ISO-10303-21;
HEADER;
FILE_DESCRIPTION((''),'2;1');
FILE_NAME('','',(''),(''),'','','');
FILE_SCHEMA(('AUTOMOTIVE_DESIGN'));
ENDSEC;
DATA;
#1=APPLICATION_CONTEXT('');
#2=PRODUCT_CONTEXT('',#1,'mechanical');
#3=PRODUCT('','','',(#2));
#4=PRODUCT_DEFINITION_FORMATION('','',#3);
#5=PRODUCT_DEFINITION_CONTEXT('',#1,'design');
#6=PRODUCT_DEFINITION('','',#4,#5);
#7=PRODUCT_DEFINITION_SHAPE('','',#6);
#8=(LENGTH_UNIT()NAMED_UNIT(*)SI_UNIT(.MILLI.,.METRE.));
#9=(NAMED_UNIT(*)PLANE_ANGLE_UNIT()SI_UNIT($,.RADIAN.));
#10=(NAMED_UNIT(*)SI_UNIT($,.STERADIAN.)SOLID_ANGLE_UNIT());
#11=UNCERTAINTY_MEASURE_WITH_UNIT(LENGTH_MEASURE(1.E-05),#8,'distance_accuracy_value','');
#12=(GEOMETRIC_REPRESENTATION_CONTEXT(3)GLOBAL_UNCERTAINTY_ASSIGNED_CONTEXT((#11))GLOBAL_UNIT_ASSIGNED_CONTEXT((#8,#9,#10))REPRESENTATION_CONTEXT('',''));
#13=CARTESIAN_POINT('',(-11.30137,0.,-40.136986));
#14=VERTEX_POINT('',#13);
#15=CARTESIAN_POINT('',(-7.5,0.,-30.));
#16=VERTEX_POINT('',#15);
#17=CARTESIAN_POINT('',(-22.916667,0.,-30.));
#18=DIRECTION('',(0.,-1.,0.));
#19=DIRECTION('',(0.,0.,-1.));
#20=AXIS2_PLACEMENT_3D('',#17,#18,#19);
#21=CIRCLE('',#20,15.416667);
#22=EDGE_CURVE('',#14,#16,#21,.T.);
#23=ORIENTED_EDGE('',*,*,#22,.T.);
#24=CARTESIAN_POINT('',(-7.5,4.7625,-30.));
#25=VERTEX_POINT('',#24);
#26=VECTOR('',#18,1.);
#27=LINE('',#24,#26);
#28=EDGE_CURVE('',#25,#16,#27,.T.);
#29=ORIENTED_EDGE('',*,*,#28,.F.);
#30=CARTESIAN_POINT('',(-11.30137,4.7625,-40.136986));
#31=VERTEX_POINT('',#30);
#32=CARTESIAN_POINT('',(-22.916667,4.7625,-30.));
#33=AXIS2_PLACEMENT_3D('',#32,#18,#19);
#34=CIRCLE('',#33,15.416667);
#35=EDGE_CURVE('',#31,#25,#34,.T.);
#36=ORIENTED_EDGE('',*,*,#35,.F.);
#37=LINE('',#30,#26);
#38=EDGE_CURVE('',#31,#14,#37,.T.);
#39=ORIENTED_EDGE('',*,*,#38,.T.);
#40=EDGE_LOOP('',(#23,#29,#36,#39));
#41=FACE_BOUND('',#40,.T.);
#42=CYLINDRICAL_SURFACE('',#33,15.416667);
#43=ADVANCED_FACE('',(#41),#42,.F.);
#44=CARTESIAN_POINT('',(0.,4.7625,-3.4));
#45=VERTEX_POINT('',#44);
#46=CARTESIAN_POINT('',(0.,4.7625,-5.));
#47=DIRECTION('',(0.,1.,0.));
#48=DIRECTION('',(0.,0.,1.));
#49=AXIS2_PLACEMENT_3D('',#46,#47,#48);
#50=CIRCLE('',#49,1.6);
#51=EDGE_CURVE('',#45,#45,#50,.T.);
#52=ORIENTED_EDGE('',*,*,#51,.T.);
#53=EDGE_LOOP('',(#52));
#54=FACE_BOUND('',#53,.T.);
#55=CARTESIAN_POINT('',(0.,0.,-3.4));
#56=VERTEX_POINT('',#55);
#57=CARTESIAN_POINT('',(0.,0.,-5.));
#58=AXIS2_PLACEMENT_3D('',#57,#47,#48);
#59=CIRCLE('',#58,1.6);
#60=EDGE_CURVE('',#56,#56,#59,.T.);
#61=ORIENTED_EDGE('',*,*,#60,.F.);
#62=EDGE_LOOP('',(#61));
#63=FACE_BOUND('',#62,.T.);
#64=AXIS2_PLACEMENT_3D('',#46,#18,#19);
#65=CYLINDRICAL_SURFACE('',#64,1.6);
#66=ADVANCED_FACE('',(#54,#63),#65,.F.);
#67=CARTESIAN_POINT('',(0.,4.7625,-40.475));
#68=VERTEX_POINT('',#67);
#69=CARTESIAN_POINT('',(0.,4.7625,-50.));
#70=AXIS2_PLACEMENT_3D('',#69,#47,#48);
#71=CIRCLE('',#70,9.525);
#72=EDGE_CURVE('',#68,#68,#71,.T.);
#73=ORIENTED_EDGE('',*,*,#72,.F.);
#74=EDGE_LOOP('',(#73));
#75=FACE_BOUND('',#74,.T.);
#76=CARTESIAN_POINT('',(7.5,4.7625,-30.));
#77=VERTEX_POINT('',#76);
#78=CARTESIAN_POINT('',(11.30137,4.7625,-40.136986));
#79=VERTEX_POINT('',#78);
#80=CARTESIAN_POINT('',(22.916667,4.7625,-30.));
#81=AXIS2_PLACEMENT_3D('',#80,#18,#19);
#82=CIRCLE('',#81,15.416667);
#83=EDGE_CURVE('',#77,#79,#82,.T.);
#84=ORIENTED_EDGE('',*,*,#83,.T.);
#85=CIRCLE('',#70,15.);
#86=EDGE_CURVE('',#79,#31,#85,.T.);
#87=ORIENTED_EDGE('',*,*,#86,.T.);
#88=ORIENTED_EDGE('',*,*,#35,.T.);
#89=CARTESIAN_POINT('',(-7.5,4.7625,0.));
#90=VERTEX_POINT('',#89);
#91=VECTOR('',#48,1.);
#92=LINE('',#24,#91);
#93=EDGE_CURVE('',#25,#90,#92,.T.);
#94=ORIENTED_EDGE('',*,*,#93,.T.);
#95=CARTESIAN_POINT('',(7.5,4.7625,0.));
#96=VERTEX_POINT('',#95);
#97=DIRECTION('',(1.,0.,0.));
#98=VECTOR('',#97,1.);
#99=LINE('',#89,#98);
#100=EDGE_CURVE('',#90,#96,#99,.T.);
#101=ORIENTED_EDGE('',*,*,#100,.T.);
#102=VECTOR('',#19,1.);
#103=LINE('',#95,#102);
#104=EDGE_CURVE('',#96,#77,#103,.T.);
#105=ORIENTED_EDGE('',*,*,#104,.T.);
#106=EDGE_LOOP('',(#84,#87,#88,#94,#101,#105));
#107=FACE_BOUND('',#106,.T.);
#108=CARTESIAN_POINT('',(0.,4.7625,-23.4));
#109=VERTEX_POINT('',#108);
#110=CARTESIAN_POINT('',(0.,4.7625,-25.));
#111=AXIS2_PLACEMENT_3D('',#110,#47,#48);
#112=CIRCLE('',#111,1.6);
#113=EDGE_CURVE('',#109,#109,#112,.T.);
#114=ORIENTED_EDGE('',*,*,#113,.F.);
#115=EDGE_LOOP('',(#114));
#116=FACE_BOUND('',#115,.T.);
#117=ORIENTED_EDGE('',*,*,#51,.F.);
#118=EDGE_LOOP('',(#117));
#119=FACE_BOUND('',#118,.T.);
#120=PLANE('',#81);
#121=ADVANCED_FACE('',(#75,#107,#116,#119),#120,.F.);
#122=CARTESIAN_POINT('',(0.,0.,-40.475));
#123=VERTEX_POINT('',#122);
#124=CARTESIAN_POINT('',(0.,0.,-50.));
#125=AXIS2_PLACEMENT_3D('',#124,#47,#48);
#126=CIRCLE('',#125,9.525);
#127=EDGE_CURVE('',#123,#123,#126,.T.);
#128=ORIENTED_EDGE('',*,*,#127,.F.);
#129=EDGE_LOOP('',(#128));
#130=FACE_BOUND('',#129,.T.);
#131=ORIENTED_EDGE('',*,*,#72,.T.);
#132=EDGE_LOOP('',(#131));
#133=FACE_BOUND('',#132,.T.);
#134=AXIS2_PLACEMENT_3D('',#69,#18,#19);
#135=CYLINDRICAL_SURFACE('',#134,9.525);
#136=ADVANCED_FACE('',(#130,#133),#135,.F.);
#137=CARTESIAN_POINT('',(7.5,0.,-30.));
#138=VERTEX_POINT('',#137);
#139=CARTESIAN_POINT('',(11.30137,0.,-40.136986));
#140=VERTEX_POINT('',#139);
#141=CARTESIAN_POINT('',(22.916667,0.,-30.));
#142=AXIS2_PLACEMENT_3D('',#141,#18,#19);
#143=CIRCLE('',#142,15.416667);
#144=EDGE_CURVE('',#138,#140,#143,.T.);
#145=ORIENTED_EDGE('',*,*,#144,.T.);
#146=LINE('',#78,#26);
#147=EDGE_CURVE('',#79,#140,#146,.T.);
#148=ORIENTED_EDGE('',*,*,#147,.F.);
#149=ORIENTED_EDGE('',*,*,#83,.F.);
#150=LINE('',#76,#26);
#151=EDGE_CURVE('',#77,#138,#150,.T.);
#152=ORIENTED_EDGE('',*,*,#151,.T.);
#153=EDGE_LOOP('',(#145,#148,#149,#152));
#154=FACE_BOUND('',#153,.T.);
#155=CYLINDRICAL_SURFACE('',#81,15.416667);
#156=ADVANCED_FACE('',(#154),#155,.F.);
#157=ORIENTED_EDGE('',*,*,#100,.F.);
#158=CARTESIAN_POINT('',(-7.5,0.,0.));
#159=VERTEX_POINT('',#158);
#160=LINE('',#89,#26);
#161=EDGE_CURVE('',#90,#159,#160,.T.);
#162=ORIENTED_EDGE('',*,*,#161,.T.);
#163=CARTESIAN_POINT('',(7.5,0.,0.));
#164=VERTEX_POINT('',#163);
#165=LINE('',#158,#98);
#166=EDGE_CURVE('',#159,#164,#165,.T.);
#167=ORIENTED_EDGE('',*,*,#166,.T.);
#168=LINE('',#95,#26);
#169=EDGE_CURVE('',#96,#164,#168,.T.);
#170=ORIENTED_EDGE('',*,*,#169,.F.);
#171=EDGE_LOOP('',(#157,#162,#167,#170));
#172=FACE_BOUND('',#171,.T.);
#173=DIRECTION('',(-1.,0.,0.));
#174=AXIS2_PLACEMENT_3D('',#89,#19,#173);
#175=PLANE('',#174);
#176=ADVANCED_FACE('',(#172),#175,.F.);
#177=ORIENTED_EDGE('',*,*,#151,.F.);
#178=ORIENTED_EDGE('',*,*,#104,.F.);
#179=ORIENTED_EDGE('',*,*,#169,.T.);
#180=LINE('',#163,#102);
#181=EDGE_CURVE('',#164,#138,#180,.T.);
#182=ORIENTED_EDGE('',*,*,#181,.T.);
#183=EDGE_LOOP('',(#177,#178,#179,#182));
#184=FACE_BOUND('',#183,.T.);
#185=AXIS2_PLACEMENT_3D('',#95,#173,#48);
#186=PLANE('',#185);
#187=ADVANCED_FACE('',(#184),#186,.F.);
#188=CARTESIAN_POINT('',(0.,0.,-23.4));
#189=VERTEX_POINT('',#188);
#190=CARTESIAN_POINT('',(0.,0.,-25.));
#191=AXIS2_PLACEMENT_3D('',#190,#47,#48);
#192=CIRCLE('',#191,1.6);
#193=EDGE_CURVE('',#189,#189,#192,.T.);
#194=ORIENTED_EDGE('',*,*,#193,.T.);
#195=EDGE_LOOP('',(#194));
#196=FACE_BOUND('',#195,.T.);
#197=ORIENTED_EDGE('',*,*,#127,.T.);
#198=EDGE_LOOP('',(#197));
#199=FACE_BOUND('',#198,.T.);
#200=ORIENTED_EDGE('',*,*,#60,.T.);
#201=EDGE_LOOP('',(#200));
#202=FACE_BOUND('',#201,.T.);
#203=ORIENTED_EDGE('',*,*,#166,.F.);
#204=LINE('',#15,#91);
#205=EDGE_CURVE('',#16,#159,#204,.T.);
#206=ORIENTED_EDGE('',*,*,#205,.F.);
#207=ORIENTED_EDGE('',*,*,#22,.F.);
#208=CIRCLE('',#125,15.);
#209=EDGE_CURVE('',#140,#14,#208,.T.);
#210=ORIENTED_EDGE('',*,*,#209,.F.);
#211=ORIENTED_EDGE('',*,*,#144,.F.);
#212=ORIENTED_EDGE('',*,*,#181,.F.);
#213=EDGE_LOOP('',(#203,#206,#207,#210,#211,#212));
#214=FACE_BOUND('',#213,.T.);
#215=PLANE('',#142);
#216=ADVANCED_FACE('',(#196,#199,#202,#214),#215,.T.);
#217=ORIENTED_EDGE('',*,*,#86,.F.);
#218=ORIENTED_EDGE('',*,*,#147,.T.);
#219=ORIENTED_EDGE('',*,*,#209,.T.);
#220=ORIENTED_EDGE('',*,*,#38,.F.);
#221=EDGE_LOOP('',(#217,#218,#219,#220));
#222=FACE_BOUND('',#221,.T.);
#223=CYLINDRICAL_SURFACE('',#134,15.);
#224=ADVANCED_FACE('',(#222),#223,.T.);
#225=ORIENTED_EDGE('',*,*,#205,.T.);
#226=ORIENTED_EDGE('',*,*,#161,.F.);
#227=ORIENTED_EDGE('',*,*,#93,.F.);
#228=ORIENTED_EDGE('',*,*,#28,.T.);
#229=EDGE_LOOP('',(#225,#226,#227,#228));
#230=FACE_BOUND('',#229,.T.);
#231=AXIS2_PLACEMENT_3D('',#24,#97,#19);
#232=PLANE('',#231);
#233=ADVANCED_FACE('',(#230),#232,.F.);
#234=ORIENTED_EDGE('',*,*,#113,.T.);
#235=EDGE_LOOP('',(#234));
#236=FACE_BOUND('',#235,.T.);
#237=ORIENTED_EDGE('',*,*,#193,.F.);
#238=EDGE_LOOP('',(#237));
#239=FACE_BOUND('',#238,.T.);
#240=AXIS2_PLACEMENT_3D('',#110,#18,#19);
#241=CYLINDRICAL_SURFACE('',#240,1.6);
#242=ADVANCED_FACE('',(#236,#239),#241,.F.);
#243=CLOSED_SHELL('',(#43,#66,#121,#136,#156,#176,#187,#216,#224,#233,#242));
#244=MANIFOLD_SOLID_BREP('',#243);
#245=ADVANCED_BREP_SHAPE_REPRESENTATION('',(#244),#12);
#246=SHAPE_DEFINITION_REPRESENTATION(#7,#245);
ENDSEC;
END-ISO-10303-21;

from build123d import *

# Parameters (mm, degrees)
SKETCH1_R           = 9.525
SKETCH1_R_2         = 1.6
BOSS_EXTRUDE2_DEPTH = 4.7625


with BuildPart() as part:
    # Sketch1 → Boss-Extrude2 (new body)
    with BuildSketch(Plane(origin=(0, 0, 0), x_dir=(1, 0, 0), z_dir=(0, 1, 0))):
        with BuildLine():
            Line((-7.5, 0), (7.5, 0))
            Line((7.5, 0), (7.5, 30))
            ThreePointArc((7.5, 30), (8.481591846, 35.413153058), (11.301369863, 40.136986301))
            ThreePointArc((11.301369863, 40.136986301), (0, 65), (-11.301369863, 40.136986301))
            ThreePointArc((-11.301369863, 40.136986301), (-8.481591846, 35.413153058), (-7.5, 30))
            Line((-7.5, 30), (-7.5, 0))
        make_face()
        with Locations((0, 50)):
            Circle(SKETCH1_R, mode=Mode.SUBTRACT)
        with Locations((0, 5)):
            Circle(SKETCH1_R_2, mode=Mode.SUBTRACT)
        with Locations((0, 25)):
            Circle(SKETCH1_R_2, mode=Mode.SUBTRACT)
    extrude(amount=BOSS_EXTRUDE2_DEPTH)


solid = part.part
